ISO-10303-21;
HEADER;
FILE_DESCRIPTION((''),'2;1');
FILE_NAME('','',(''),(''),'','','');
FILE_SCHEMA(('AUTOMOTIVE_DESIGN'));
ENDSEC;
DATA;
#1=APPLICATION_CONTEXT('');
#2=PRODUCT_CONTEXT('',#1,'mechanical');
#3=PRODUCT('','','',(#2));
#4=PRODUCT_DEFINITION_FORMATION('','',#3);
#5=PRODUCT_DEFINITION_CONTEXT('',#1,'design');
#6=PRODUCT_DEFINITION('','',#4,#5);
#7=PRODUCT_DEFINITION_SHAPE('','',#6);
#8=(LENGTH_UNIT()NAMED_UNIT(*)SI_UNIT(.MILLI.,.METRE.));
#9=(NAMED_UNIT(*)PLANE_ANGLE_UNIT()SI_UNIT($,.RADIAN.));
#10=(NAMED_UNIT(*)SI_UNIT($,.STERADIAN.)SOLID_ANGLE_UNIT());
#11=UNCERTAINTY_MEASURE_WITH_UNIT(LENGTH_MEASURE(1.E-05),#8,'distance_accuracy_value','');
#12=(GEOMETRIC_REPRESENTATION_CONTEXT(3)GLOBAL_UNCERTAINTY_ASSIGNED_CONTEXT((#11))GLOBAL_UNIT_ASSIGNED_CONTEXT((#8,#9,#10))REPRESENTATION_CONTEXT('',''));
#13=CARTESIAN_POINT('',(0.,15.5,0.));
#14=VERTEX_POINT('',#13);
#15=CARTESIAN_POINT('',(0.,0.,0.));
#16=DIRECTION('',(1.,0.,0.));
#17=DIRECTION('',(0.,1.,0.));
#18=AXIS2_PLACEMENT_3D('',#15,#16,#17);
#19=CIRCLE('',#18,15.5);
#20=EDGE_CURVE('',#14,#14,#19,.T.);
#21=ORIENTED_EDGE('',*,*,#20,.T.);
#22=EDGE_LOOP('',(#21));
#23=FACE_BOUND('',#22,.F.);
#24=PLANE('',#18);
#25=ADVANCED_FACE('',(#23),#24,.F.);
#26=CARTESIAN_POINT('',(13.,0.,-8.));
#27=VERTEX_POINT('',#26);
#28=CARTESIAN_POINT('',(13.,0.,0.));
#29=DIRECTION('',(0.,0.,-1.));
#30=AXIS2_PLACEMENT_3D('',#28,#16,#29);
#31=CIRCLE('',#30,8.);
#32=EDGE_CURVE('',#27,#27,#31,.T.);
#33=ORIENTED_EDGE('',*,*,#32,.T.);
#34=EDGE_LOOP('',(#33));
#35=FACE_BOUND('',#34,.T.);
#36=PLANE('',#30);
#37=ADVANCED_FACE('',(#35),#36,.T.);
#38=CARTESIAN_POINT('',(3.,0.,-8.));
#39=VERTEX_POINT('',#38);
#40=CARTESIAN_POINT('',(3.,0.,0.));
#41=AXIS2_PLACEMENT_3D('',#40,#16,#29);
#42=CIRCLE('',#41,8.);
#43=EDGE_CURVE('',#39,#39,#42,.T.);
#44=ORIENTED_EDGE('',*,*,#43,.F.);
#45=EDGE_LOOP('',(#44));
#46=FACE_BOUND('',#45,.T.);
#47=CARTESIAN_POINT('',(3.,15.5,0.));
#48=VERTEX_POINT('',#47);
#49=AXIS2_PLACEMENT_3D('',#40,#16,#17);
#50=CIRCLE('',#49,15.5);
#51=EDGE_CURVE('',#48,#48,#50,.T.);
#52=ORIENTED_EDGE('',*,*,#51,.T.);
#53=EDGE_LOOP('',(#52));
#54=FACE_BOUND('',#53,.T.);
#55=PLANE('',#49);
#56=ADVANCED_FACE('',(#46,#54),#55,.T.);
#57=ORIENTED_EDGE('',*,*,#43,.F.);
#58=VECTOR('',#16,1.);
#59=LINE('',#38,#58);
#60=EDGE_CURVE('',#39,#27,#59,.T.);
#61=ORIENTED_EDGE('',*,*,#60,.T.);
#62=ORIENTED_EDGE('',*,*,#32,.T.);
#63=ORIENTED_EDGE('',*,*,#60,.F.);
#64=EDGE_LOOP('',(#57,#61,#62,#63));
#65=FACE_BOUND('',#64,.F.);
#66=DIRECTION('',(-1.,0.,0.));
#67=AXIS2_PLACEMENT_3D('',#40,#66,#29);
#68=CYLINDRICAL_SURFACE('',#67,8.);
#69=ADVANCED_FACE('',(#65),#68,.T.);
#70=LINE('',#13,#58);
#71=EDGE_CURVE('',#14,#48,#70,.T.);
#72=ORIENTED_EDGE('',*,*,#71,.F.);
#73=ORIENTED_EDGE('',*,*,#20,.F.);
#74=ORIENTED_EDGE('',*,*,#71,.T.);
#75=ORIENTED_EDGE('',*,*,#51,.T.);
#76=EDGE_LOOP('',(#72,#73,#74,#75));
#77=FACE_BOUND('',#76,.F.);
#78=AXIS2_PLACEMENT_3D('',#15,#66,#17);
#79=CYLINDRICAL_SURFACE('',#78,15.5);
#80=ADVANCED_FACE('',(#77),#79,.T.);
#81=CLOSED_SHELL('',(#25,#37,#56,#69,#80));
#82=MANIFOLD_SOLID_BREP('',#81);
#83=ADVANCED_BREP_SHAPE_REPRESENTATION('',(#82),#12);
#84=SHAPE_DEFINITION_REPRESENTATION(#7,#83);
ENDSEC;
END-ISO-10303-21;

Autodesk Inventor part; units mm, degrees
ref_plane "YZ Plane" through (0, 0, 0) normal (1, 0, 0) x (0, 1, 0)
ref_plane "XZ Plane" through (0, 0, 0) normal (0, 1, 0) x (-1, 0, 0)
ref_plane "XY Plane" through (0, 0, 0) normal (0, 0, 1) x (1, 0, 0)
sketch "Эскиз1" plane through (0, 0, 0) normal (1, 0, 0) x (0, 1, 0)
  circle A0 centre (0, 0) radius 15.5
  dimension "d0" = 31
extrude "Выдавливание1" add sketch "Эскиз1" along normal blind 3
sketch "Эскиз2" plane through (3, 0, 0) normal (1, 0, 0) x (0, 0, -1)
  circle A0 centre (0, 0) radius 8
  dimension "d3" = 16
extrude "Выдавливание2" add sketch "Эскиз2" along normal blind 10
properties part number "ступица 4мм 25-26"
